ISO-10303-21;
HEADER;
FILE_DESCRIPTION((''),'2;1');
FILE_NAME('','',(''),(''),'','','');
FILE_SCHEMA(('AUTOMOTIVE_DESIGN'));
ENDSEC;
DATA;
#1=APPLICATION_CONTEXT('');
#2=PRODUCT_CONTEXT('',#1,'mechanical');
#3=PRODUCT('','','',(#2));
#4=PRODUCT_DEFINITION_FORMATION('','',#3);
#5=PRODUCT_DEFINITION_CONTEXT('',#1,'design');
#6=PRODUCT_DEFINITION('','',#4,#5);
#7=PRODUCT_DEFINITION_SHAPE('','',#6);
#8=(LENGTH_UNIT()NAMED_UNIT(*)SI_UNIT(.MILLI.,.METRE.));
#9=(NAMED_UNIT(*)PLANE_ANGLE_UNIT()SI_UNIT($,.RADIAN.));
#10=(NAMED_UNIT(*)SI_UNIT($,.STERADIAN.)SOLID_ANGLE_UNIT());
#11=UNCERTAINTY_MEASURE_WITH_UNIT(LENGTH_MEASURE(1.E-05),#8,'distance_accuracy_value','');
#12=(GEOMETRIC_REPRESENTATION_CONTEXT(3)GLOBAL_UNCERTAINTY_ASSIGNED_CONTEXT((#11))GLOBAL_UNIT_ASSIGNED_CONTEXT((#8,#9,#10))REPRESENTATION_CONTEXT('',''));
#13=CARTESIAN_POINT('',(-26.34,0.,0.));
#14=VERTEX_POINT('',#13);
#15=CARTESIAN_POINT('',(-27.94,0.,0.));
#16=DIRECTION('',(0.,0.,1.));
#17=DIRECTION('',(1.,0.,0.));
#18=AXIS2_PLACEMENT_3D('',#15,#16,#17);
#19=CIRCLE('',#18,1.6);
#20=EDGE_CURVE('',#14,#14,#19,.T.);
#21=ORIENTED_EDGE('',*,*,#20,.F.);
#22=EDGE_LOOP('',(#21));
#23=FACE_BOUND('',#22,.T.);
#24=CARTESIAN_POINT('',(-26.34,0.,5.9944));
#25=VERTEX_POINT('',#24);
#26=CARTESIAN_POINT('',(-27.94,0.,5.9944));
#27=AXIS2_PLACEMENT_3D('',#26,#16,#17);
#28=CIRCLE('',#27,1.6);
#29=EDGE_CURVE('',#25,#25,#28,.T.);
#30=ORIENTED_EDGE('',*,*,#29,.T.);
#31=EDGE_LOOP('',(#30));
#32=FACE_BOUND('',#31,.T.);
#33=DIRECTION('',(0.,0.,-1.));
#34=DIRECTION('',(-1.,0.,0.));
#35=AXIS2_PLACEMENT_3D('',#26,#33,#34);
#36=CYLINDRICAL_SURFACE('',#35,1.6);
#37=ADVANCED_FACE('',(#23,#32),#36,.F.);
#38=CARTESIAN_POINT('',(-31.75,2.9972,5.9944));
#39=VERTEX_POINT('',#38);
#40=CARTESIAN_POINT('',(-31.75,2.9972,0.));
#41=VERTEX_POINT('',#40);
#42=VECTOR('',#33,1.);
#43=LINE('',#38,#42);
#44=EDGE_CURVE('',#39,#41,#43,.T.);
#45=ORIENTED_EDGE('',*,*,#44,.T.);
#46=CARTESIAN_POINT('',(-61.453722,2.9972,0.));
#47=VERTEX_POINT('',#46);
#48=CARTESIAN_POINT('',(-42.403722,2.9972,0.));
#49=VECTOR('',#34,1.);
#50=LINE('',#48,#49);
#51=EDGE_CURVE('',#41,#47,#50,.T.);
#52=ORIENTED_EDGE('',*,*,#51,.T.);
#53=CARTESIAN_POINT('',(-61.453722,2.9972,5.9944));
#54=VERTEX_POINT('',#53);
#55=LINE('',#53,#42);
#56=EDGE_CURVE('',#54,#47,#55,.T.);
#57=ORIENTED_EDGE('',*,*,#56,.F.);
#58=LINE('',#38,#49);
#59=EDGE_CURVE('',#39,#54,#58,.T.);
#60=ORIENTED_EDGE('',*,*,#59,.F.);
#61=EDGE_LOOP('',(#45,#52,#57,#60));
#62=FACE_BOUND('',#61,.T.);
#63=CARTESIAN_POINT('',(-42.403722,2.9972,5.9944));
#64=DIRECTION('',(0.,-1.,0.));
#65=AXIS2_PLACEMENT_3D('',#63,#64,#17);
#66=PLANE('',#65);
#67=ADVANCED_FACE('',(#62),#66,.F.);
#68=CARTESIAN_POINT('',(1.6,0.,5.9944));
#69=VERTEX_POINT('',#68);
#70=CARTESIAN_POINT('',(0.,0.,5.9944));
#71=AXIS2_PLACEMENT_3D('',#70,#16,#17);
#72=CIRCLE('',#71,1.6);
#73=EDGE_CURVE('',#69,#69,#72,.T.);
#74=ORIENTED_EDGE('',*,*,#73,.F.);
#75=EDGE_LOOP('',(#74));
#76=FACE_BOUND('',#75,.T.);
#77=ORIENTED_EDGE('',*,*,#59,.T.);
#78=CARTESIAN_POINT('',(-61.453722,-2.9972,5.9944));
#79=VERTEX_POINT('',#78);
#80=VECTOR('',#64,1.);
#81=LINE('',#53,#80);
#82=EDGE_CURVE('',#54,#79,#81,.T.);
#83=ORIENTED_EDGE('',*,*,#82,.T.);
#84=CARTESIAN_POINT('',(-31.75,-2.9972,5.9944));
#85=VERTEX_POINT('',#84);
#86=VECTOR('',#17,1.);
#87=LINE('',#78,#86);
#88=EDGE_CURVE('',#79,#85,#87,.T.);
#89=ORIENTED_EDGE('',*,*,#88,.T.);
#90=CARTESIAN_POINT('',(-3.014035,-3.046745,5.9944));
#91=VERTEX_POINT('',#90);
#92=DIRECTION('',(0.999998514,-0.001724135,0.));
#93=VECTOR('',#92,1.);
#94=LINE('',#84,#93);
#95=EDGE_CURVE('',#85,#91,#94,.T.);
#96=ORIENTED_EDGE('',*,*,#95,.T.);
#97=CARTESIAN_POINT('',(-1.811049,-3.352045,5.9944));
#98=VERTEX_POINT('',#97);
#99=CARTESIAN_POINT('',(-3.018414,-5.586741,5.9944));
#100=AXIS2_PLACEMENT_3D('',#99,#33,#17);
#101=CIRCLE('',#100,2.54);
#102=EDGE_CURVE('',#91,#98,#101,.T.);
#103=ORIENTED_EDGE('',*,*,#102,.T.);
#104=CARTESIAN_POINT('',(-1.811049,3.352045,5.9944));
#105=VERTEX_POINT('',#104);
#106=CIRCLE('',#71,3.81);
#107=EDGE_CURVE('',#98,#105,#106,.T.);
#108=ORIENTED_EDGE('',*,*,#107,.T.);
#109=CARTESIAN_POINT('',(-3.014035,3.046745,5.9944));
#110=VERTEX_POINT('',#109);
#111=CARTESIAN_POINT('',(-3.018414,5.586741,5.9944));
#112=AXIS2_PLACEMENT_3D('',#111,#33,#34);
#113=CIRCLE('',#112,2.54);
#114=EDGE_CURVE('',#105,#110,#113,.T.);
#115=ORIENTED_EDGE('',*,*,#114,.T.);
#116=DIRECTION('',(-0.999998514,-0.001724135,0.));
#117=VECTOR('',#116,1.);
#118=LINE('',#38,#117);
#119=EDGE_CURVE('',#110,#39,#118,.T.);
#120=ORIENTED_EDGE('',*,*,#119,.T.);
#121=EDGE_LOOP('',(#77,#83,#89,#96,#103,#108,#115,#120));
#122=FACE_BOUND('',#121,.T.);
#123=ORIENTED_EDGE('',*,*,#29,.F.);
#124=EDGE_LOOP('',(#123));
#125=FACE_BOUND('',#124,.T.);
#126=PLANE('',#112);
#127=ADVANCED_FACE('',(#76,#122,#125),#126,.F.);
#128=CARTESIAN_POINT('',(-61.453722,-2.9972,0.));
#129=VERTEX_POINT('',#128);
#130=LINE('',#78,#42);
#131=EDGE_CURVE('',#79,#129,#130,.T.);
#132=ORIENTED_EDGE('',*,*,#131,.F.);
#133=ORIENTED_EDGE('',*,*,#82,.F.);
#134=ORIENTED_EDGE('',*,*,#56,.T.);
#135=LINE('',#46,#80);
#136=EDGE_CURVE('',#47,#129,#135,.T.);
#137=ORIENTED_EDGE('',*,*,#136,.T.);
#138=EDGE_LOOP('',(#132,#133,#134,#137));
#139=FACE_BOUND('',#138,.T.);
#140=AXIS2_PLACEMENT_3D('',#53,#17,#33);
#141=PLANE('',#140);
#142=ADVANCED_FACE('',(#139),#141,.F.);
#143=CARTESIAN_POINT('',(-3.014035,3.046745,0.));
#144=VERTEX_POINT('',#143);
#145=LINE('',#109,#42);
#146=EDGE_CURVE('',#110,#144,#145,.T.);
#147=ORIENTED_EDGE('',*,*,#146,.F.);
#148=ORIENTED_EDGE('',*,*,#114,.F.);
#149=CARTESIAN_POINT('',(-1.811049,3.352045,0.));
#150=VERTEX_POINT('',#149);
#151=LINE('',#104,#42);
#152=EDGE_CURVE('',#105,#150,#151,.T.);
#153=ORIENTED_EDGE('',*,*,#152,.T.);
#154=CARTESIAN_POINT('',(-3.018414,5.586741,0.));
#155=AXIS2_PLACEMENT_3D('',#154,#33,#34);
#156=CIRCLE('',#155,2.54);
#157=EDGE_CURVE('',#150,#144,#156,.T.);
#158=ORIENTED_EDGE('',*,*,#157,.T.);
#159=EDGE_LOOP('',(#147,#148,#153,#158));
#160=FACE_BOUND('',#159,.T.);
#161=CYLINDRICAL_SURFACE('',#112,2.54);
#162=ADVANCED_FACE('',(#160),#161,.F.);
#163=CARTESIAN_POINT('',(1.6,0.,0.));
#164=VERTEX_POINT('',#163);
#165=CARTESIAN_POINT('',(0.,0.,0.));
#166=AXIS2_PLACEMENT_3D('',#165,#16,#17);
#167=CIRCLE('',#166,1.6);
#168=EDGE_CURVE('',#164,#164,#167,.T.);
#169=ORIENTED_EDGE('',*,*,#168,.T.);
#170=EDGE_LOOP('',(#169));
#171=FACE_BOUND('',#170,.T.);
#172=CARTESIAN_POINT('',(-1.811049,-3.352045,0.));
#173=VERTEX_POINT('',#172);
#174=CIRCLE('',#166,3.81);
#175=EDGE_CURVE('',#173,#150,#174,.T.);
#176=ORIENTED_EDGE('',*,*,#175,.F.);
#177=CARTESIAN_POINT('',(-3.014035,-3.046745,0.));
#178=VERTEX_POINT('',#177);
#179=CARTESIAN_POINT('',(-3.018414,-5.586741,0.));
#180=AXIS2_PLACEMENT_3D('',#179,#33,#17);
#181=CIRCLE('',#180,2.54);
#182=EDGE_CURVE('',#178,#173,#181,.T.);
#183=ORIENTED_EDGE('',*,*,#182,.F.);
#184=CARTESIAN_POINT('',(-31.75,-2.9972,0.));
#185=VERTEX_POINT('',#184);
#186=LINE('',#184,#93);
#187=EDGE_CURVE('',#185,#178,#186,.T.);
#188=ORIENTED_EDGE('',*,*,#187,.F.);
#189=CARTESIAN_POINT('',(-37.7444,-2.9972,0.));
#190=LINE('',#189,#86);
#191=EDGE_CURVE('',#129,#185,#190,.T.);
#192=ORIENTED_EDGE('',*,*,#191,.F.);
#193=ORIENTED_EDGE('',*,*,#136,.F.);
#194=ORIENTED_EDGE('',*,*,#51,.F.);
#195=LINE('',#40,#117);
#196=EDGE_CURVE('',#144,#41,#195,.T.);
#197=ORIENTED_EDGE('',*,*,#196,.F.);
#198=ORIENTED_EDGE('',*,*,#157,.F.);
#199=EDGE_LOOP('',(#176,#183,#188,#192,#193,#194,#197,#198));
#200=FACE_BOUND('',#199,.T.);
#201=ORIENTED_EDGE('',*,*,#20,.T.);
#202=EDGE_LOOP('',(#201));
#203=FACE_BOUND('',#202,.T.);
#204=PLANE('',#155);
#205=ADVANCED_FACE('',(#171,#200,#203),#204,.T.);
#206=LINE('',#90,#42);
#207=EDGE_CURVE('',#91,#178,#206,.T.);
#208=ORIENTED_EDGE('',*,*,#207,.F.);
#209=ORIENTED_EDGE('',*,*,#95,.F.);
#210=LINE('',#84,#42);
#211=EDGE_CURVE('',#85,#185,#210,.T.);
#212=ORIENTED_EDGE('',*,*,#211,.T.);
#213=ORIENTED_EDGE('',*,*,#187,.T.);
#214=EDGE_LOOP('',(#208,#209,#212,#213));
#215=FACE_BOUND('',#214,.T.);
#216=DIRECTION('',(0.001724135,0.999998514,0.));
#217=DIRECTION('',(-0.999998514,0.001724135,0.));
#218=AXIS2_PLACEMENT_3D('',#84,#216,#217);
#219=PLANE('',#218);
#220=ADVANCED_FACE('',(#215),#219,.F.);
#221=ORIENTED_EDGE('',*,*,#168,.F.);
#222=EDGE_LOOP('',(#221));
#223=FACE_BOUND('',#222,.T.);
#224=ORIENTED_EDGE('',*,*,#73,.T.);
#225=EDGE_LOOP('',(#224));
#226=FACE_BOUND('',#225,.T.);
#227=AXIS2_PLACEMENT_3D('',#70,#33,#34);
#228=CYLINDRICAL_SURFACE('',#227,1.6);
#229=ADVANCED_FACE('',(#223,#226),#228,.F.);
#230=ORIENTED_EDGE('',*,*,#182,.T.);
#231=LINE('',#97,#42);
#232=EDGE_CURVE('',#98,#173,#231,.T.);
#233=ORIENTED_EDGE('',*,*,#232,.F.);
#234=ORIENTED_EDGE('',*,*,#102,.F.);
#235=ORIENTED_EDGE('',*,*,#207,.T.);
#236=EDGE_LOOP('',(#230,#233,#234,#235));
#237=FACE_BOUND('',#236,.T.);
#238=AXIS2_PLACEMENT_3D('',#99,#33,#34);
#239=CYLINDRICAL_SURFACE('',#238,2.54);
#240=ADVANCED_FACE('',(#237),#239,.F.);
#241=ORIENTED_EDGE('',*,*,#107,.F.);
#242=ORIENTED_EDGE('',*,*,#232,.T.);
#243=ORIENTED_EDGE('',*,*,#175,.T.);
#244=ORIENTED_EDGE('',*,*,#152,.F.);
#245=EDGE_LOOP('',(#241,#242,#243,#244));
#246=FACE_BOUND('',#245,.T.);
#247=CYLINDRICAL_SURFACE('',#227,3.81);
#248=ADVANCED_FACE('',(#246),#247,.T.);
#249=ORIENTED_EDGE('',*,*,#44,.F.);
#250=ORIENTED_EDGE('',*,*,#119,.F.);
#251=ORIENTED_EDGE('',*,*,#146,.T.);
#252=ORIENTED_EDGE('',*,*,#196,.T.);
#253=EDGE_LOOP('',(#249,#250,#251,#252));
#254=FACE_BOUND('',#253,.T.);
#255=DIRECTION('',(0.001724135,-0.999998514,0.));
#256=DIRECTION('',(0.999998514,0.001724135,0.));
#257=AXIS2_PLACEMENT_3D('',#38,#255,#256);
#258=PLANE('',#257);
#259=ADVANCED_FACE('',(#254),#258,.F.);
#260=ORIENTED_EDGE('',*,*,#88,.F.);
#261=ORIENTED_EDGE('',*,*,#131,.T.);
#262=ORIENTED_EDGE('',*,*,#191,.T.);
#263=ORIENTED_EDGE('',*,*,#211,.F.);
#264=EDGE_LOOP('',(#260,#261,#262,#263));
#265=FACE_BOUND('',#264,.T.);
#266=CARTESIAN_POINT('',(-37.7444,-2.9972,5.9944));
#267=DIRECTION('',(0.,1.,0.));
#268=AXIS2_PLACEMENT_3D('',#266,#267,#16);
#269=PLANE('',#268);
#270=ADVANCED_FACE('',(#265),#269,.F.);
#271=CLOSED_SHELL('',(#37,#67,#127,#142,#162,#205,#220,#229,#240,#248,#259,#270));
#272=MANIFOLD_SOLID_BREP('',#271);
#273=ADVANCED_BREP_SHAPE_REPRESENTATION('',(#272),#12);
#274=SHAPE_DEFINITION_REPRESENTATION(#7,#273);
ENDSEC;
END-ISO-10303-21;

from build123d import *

# Parameters (mm, degrees)
SKETCH1_R           = 1.6
BOSS_EXTRUDE1_DEPTH = 5.9944


with BuildPart() as part:
    # Sketch1 → Boss-Extrude1 (new body)
    with BuildSketch(Plane.XY):
        with BuildLine():
            Line((-3.01403503, 3.046744767), (-31.75, 2.9972))
            Line((-31.75, 2.9972), (-37.7444, 2.9972))
            Line((-37.7444, 2.9972), (-42.403721744, 2.9972))
            Line((-42.403721744, 2.9972), (-61.453721744, 2.9972))
            Line((-61.453721744, 2.9972), (-61.453721744, -2.9972))
            Line((-61.453721744, -2.9972), (-55.103721744, -2.9972))
            Line((-55.103721744, -2.9972), (-42.403721744, -2.9972))
            Line((-42.403721744, -2.9972), (-37.7444, -2.9972))
            Line((-37.7444, -2.9972), (-31.75, -2.9972))
            Line((-31.75, -2.9972), (-3.01403503, -3.046744767))
            ThreePointArc((-3.01403503, -3.046744767), (-2.393607559, -3.124787196), (-1.8110486, -3.352044595))
            ThreePointArc((-1.8110486, -3.352044595), (3.81, 0), (-1.8110486, 3.352044595))
            ThreePointArc((-1.8110486, 3.352044595), (-2.393607559, 3.124787196), (-3.01403503, 3.046744767))
        make_face()
        with Locations((-27.94, 0)):
            Circle(SKETCH1_R, mode=Mode.SUBTRACT)
        Circle(SKETCH1_R, mode=Mode.SUBTRACT)
    extrude(amount=BOSS_EXTRUDE1_DEPTH)


solid = part.part
